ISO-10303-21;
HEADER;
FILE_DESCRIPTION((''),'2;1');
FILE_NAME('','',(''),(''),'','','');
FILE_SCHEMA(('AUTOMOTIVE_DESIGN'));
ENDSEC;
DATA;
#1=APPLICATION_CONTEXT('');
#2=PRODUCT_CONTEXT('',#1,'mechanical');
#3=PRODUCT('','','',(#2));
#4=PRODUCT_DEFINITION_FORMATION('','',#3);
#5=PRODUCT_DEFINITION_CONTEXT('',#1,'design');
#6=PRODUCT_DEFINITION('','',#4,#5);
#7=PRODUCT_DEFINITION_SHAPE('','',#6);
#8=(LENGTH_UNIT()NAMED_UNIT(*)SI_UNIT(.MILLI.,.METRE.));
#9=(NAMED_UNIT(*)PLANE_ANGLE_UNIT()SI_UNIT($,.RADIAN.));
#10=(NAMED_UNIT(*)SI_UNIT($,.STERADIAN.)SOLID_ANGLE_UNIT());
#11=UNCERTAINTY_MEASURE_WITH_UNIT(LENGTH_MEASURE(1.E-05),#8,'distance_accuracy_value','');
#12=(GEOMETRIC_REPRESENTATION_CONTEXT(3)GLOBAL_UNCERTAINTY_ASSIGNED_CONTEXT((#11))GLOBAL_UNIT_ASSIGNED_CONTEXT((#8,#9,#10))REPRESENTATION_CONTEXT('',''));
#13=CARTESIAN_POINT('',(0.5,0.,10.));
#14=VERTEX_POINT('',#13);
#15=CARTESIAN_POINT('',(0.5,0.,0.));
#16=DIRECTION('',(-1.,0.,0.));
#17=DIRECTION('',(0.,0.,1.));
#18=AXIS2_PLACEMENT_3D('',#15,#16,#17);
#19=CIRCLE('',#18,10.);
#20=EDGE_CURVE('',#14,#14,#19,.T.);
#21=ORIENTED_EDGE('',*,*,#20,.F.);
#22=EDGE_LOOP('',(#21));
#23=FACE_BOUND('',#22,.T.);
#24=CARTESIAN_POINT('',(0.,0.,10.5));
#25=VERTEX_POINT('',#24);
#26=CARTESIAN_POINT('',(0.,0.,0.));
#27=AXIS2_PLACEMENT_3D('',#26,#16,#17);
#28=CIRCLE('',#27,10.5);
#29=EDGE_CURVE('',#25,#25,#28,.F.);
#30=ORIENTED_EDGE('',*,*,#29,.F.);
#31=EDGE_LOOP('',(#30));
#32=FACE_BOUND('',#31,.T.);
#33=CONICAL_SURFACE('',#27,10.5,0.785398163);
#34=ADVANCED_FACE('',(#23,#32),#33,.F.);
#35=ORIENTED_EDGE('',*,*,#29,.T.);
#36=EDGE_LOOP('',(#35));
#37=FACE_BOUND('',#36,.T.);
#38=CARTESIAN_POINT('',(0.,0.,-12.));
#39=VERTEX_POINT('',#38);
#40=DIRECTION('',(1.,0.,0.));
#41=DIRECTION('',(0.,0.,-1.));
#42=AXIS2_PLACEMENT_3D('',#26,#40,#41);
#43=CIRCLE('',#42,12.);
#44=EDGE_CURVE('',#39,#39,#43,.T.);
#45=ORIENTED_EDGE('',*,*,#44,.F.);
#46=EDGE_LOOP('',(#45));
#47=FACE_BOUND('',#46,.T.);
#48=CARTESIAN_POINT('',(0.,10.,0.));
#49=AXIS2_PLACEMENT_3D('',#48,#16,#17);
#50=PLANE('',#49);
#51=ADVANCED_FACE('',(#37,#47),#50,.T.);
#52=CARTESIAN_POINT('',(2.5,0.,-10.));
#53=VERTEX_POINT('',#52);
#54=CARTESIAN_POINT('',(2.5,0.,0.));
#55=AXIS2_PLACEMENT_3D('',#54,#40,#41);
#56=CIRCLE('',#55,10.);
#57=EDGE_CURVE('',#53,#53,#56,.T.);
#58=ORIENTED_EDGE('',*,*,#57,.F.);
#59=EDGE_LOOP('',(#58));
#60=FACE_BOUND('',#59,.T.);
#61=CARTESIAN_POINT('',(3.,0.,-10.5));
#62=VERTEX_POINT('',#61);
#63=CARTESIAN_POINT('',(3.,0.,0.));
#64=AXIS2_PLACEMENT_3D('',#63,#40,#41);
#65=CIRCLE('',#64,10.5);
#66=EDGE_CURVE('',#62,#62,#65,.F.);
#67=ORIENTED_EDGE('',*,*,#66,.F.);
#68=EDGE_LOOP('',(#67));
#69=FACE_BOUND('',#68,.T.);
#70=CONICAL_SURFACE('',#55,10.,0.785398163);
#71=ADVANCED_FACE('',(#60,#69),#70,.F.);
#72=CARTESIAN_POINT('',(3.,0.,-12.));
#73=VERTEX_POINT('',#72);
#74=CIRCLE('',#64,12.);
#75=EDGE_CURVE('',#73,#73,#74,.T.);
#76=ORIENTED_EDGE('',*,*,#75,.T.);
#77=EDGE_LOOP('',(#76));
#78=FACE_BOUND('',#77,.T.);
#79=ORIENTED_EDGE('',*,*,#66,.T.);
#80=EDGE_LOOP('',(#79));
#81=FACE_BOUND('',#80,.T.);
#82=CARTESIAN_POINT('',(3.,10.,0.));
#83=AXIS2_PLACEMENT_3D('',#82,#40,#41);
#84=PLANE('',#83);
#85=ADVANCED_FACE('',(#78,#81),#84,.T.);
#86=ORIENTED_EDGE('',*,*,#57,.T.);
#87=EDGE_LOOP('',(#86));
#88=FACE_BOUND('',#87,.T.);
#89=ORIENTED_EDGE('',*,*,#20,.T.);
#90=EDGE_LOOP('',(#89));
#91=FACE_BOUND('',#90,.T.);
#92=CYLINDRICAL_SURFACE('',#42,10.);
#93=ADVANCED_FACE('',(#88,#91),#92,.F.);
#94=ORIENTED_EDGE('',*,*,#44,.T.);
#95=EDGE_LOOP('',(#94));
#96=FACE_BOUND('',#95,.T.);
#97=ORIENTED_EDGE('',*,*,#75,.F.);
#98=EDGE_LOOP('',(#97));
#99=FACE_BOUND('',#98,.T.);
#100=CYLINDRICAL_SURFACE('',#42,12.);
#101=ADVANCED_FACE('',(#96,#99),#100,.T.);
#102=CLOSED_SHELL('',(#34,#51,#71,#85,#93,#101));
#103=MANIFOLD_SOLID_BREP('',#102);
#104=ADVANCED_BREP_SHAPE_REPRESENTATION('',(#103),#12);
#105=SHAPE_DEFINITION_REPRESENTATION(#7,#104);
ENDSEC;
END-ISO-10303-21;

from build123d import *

# Parameters (mm, degrees)
SKETCH_1_W     = 3
SKETCH_1_H     = 2
CHAMFER_1_SIZE = 0.5


with BuildPart() as part:
    # Эскиз1 → Повернуть1 (revolve)
    with BuildSketch(Plane.XY):
        with Locations((1.5, 11)):
            Rectangle(SKETCH_1_W, SKETCH_1_H)
    revolve(axis=Axis((0, 0, 0), (-1, 0, 0)))

    # Фаска1
    chamfer_1_edges = [part.edges().sort_by_distance(p)[0] for p in [
        (0, -10, 0),
        (3, -10, 0),
    ]]
    chamfer(chamfer_1_edges, length=CHAMFER_1_SIZE)


solid = part.part
